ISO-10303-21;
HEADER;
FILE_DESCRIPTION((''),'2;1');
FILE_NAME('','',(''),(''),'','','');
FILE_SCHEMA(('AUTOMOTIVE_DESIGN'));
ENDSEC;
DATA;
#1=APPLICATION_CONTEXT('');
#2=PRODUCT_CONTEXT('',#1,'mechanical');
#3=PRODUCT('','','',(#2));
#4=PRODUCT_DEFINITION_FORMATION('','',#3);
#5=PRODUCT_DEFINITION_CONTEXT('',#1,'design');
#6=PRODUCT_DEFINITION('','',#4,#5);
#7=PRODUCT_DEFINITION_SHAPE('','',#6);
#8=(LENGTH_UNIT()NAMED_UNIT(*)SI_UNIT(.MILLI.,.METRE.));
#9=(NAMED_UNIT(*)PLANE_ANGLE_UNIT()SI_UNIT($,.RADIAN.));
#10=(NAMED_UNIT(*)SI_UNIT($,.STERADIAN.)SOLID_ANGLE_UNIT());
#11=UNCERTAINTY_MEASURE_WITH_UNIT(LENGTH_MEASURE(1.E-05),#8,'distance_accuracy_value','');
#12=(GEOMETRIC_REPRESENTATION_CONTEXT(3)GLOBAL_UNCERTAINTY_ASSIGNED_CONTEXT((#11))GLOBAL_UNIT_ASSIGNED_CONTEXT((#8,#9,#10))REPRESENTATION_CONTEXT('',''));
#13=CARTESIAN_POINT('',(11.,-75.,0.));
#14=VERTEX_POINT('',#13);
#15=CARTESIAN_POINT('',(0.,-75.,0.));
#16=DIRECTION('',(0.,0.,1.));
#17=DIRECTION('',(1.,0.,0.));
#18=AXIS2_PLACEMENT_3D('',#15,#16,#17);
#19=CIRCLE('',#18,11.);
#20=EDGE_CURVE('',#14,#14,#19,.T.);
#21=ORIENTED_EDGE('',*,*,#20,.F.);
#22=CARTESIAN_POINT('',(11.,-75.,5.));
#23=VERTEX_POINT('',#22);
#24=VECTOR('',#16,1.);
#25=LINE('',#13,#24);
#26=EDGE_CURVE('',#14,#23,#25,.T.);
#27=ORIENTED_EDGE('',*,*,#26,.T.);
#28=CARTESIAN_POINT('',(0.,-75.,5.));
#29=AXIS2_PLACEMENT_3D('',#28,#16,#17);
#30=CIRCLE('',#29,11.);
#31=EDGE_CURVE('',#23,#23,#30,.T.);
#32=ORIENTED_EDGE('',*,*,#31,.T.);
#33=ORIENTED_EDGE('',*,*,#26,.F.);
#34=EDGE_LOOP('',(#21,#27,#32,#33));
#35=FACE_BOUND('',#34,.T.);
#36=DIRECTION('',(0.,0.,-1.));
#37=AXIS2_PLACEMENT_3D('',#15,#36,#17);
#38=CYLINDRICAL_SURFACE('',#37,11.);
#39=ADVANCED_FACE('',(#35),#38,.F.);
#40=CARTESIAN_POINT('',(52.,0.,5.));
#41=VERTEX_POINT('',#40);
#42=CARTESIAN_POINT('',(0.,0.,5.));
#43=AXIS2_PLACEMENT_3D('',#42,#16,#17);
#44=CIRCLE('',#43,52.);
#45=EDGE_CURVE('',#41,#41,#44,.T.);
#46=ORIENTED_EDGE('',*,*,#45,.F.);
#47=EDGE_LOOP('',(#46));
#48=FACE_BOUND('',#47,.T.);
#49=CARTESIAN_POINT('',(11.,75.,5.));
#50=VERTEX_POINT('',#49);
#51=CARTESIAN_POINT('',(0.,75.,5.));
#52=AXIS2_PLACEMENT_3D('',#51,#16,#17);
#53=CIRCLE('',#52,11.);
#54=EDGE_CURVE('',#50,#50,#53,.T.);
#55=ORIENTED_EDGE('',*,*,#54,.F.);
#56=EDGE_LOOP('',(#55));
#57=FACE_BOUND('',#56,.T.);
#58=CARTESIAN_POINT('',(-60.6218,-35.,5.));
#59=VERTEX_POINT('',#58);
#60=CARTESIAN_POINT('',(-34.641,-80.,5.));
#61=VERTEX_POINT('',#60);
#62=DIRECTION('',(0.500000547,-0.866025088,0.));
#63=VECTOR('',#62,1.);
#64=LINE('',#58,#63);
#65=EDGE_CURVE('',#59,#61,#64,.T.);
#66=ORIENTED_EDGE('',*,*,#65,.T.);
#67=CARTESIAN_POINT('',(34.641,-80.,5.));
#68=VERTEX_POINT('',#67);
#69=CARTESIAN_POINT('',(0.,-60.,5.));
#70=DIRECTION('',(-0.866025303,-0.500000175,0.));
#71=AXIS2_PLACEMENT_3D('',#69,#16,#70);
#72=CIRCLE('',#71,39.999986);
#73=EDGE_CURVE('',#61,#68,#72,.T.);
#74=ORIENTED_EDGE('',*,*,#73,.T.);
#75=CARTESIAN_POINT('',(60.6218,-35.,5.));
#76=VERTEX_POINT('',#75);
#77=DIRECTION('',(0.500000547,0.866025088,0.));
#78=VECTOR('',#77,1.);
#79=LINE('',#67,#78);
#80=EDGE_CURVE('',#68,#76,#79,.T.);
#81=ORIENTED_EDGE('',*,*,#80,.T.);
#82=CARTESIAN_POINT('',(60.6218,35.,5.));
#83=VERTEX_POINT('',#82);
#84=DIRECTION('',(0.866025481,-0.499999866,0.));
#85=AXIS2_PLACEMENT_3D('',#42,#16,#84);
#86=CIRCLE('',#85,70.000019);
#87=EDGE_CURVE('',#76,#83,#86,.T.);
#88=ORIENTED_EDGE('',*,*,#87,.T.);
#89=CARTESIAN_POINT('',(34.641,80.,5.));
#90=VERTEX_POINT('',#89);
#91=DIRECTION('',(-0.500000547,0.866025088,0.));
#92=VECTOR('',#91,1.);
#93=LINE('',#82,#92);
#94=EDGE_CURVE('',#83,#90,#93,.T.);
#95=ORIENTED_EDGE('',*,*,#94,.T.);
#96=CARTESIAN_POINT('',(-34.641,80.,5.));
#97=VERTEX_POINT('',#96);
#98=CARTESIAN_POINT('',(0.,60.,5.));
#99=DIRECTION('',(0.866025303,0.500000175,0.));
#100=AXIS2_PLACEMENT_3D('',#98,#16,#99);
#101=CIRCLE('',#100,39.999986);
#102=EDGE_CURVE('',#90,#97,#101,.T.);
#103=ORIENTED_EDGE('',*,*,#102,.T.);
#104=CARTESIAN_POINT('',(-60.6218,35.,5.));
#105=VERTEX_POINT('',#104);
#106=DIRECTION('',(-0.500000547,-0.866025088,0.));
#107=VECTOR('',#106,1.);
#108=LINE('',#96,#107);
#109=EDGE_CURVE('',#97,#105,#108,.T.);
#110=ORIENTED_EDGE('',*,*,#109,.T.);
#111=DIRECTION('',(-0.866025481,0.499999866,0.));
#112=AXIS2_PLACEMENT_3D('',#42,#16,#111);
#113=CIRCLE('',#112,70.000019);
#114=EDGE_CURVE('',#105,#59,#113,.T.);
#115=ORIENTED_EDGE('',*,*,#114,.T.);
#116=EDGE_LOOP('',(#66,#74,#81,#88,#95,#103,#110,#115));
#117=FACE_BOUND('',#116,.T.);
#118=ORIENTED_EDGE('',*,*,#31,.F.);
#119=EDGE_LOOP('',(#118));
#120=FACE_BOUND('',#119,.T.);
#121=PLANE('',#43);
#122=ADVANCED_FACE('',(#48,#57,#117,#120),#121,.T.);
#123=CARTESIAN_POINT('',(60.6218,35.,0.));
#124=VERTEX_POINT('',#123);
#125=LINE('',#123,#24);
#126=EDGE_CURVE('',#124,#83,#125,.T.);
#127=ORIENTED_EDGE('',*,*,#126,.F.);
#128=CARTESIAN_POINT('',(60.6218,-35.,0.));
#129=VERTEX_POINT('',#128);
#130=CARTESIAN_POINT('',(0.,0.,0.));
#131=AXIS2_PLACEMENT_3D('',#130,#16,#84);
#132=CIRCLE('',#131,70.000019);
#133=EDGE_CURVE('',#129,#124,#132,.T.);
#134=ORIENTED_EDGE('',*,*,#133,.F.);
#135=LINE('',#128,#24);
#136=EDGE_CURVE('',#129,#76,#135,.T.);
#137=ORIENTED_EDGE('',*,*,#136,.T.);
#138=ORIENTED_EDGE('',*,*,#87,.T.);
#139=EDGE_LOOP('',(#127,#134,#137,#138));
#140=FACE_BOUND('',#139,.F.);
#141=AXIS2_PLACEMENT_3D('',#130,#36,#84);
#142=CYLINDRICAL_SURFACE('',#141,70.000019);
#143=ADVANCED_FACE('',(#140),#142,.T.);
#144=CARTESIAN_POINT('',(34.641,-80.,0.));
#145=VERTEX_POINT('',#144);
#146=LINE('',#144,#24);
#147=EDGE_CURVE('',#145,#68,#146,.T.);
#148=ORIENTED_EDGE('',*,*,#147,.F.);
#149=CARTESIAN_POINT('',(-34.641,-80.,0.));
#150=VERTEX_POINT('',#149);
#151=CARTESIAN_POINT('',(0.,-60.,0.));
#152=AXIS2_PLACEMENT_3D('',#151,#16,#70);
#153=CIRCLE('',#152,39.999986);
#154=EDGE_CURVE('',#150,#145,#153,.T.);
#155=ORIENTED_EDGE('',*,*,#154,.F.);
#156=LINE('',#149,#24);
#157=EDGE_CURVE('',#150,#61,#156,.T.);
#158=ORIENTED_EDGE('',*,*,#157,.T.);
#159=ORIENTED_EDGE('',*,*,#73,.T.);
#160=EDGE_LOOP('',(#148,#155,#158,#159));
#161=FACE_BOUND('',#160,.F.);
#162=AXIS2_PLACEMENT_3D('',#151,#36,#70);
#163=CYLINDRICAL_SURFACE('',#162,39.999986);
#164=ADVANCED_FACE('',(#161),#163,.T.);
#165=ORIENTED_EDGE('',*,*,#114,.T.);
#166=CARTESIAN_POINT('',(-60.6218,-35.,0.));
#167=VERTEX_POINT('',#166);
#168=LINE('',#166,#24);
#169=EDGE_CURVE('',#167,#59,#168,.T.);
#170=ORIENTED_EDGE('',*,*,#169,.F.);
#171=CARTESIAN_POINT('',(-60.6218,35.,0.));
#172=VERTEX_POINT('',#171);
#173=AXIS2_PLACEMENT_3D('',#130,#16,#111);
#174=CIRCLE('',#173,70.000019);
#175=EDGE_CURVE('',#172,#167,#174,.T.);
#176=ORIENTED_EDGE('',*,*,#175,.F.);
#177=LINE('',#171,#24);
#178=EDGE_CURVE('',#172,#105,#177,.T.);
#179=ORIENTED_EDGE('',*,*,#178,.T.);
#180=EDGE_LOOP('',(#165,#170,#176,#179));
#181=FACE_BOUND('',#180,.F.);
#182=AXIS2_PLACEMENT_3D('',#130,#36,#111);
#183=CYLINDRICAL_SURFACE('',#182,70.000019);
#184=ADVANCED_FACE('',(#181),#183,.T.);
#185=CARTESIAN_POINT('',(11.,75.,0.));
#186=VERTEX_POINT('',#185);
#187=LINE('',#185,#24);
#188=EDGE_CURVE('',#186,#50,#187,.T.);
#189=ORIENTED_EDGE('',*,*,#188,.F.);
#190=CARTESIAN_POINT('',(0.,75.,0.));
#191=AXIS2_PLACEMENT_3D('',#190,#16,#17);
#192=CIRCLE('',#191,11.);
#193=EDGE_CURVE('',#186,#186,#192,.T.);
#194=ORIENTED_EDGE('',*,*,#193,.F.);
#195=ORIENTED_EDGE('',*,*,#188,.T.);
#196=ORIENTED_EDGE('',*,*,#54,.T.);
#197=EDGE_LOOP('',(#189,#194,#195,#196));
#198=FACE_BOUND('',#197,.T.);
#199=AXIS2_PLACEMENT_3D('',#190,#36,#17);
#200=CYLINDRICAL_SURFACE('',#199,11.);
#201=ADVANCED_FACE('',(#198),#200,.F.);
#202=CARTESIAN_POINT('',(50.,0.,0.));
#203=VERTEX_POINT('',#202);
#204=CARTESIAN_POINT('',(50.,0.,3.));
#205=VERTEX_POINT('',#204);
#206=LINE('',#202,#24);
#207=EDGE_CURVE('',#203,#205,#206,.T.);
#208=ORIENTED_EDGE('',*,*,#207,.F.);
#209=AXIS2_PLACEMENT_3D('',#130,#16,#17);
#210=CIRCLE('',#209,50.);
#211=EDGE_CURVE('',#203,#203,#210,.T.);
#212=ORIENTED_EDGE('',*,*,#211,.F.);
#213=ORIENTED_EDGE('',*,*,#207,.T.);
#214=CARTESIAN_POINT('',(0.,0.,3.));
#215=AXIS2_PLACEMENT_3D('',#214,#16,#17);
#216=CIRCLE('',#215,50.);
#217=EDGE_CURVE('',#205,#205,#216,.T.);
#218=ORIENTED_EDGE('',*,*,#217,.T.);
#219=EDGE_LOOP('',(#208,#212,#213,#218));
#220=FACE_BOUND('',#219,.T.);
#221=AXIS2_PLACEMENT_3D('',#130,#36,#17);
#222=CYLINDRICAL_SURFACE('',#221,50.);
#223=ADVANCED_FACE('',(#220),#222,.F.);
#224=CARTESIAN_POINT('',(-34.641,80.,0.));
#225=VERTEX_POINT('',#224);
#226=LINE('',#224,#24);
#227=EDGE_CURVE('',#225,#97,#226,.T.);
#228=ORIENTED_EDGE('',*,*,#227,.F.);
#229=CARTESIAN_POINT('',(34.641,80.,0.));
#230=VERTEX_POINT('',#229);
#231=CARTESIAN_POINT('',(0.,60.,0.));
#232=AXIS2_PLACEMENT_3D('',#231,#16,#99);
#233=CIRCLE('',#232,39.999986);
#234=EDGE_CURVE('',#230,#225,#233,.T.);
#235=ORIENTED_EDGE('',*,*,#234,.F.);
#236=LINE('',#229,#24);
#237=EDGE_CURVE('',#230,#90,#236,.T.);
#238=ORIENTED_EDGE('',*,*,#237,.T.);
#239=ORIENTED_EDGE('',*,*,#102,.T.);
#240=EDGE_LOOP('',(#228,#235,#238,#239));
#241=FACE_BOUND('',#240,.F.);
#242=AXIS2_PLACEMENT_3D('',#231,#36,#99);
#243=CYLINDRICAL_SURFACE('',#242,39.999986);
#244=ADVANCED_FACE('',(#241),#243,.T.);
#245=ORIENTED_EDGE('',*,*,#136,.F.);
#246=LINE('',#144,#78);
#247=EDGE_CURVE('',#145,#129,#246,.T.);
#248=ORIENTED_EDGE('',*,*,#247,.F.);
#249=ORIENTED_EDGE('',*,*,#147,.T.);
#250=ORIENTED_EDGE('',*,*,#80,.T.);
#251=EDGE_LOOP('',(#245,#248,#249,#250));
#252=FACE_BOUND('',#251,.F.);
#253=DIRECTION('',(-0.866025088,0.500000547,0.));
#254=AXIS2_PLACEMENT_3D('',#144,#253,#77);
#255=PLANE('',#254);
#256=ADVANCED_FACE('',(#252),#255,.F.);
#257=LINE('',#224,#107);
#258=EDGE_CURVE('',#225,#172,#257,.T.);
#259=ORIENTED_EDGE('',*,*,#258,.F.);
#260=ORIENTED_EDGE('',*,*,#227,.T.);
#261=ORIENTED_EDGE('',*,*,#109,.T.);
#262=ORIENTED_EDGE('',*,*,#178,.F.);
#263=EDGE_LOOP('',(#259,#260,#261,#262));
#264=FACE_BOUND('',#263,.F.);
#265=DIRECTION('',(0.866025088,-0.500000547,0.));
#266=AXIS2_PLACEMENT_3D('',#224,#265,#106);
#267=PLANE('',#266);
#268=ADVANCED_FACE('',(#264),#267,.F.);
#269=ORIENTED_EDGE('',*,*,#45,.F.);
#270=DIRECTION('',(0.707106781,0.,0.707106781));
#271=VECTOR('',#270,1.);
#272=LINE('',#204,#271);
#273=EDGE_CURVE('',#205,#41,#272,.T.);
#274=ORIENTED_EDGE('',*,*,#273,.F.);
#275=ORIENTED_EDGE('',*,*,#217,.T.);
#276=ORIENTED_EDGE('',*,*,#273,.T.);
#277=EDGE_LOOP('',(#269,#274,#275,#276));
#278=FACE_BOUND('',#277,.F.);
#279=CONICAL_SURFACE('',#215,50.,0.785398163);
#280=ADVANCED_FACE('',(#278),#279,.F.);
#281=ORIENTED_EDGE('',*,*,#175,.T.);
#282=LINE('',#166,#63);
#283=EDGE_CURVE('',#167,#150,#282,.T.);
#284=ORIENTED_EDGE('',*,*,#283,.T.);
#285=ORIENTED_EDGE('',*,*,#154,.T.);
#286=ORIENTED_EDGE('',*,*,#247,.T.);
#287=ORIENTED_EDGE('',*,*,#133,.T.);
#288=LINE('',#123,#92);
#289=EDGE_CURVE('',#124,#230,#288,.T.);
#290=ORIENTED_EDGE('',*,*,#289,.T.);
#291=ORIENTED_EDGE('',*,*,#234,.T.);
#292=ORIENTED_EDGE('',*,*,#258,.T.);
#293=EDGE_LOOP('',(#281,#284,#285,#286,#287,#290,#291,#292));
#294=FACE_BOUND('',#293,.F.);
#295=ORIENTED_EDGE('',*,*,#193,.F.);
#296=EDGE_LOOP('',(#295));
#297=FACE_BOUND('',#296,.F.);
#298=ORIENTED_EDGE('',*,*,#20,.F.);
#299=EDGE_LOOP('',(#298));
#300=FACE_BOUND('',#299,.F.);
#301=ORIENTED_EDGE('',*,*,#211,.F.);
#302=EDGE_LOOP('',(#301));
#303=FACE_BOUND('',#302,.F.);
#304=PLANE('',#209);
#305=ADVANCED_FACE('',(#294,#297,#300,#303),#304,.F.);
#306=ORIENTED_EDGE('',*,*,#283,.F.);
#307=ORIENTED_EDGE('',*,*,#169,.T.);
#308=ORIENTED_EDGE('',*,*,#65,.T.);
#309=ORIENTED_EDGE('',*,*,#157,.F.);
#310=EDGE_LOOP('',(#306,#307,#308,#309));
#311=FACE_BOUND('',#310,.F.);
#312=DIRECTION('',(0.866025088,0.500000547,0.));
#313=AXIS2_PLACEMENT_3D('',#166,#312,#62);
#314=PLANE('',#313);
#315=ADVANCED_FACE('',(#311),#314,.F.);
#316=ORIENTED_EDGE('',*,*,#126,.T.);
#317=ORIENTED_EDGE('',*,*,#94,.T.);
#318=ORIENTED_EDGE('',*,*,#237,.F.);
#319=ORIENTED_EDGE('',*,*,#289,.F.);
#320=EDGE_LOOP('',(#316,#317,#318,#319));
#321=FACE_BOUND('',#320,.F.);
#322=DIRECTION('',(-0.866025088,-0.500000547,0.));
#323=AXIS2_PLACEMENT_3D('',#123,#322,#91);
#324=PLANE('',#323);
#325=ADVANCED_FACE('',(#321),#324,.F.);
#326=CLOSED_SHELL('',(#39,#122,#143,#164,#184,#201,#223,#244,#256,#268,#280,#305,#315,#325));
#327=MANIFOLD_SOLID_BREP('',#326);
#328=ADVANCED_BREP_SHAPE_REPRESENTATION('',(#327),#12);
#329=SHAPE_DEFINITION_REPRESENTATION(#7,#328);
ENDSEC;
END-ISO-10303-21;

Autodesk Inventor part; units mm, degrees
ref_plane "YZ Plane" through (0, 0, 0) normal (1, 0, 0) x (0, 1, 0)
ref_plane "XZ Plane" through (0, 0, 0) normal (0, 1, 0) x (-1, 0, 0)
ref_plane "XY Plane" through (0, 0, 0) normal (0, 0, 1) x (1, 0, 0)
ref_plane "РабПлоскость1" through (0, 0, 0) normal (0, 0, 1) x (1, 0, 0)
sketch "Эскиз1" plane through (0, 0, 0) normal (0, 0, 1) x (1, 0, 0)
  circle A0 centre (0, 75) radius 10 projected
  circle A1 centre (0, -75) radius 10 projected
  line L0 (34.641, -80) -> (60.6218, -35) projected
  arc A2 (60.6218, -35) -> (60.6218, 35) centre (0, 0) ccw projected
  line L1 (60.6218, 35) -> (34.641, 80) projected
  arc A3 (34.641, 80) -> (-34.641, 80) centre (0, 60) ccw projected
  line L2 (-34.641, 80) -> (-60.6218, 35) projected
  arc A4 (-60.6218, 35) -> (-60.6218, -35) centre (0, 0) ccw projected
  line L3 (-60.6218, -35) -> (-34.641, -80) projected
  arc A5 (-34.641, -80) -> (34.641, -80) centre (0, -60) ccw projected
  circle A6 centre (0, 0) radius 50 projected
  circle A7 centre (0, 75) radius 11
  circle A8 centre (0, -75) radius 11
  point P0 (0, 0)
  dimension "d5" = 22
  dimension "d6" = 20
  dimension "d7" = 22
extrude "Выдавливание1" add sketch "Эскиз1" along normal blind 5 contours A5 L3 A4 L2 A3 L1 A2 L0
chamfer "Фаска1" distance 2 angle 45 1 edges at (-50, 0, 5)
properties part number "Прокладка крейцкопф" material "Алюминий 6061"
